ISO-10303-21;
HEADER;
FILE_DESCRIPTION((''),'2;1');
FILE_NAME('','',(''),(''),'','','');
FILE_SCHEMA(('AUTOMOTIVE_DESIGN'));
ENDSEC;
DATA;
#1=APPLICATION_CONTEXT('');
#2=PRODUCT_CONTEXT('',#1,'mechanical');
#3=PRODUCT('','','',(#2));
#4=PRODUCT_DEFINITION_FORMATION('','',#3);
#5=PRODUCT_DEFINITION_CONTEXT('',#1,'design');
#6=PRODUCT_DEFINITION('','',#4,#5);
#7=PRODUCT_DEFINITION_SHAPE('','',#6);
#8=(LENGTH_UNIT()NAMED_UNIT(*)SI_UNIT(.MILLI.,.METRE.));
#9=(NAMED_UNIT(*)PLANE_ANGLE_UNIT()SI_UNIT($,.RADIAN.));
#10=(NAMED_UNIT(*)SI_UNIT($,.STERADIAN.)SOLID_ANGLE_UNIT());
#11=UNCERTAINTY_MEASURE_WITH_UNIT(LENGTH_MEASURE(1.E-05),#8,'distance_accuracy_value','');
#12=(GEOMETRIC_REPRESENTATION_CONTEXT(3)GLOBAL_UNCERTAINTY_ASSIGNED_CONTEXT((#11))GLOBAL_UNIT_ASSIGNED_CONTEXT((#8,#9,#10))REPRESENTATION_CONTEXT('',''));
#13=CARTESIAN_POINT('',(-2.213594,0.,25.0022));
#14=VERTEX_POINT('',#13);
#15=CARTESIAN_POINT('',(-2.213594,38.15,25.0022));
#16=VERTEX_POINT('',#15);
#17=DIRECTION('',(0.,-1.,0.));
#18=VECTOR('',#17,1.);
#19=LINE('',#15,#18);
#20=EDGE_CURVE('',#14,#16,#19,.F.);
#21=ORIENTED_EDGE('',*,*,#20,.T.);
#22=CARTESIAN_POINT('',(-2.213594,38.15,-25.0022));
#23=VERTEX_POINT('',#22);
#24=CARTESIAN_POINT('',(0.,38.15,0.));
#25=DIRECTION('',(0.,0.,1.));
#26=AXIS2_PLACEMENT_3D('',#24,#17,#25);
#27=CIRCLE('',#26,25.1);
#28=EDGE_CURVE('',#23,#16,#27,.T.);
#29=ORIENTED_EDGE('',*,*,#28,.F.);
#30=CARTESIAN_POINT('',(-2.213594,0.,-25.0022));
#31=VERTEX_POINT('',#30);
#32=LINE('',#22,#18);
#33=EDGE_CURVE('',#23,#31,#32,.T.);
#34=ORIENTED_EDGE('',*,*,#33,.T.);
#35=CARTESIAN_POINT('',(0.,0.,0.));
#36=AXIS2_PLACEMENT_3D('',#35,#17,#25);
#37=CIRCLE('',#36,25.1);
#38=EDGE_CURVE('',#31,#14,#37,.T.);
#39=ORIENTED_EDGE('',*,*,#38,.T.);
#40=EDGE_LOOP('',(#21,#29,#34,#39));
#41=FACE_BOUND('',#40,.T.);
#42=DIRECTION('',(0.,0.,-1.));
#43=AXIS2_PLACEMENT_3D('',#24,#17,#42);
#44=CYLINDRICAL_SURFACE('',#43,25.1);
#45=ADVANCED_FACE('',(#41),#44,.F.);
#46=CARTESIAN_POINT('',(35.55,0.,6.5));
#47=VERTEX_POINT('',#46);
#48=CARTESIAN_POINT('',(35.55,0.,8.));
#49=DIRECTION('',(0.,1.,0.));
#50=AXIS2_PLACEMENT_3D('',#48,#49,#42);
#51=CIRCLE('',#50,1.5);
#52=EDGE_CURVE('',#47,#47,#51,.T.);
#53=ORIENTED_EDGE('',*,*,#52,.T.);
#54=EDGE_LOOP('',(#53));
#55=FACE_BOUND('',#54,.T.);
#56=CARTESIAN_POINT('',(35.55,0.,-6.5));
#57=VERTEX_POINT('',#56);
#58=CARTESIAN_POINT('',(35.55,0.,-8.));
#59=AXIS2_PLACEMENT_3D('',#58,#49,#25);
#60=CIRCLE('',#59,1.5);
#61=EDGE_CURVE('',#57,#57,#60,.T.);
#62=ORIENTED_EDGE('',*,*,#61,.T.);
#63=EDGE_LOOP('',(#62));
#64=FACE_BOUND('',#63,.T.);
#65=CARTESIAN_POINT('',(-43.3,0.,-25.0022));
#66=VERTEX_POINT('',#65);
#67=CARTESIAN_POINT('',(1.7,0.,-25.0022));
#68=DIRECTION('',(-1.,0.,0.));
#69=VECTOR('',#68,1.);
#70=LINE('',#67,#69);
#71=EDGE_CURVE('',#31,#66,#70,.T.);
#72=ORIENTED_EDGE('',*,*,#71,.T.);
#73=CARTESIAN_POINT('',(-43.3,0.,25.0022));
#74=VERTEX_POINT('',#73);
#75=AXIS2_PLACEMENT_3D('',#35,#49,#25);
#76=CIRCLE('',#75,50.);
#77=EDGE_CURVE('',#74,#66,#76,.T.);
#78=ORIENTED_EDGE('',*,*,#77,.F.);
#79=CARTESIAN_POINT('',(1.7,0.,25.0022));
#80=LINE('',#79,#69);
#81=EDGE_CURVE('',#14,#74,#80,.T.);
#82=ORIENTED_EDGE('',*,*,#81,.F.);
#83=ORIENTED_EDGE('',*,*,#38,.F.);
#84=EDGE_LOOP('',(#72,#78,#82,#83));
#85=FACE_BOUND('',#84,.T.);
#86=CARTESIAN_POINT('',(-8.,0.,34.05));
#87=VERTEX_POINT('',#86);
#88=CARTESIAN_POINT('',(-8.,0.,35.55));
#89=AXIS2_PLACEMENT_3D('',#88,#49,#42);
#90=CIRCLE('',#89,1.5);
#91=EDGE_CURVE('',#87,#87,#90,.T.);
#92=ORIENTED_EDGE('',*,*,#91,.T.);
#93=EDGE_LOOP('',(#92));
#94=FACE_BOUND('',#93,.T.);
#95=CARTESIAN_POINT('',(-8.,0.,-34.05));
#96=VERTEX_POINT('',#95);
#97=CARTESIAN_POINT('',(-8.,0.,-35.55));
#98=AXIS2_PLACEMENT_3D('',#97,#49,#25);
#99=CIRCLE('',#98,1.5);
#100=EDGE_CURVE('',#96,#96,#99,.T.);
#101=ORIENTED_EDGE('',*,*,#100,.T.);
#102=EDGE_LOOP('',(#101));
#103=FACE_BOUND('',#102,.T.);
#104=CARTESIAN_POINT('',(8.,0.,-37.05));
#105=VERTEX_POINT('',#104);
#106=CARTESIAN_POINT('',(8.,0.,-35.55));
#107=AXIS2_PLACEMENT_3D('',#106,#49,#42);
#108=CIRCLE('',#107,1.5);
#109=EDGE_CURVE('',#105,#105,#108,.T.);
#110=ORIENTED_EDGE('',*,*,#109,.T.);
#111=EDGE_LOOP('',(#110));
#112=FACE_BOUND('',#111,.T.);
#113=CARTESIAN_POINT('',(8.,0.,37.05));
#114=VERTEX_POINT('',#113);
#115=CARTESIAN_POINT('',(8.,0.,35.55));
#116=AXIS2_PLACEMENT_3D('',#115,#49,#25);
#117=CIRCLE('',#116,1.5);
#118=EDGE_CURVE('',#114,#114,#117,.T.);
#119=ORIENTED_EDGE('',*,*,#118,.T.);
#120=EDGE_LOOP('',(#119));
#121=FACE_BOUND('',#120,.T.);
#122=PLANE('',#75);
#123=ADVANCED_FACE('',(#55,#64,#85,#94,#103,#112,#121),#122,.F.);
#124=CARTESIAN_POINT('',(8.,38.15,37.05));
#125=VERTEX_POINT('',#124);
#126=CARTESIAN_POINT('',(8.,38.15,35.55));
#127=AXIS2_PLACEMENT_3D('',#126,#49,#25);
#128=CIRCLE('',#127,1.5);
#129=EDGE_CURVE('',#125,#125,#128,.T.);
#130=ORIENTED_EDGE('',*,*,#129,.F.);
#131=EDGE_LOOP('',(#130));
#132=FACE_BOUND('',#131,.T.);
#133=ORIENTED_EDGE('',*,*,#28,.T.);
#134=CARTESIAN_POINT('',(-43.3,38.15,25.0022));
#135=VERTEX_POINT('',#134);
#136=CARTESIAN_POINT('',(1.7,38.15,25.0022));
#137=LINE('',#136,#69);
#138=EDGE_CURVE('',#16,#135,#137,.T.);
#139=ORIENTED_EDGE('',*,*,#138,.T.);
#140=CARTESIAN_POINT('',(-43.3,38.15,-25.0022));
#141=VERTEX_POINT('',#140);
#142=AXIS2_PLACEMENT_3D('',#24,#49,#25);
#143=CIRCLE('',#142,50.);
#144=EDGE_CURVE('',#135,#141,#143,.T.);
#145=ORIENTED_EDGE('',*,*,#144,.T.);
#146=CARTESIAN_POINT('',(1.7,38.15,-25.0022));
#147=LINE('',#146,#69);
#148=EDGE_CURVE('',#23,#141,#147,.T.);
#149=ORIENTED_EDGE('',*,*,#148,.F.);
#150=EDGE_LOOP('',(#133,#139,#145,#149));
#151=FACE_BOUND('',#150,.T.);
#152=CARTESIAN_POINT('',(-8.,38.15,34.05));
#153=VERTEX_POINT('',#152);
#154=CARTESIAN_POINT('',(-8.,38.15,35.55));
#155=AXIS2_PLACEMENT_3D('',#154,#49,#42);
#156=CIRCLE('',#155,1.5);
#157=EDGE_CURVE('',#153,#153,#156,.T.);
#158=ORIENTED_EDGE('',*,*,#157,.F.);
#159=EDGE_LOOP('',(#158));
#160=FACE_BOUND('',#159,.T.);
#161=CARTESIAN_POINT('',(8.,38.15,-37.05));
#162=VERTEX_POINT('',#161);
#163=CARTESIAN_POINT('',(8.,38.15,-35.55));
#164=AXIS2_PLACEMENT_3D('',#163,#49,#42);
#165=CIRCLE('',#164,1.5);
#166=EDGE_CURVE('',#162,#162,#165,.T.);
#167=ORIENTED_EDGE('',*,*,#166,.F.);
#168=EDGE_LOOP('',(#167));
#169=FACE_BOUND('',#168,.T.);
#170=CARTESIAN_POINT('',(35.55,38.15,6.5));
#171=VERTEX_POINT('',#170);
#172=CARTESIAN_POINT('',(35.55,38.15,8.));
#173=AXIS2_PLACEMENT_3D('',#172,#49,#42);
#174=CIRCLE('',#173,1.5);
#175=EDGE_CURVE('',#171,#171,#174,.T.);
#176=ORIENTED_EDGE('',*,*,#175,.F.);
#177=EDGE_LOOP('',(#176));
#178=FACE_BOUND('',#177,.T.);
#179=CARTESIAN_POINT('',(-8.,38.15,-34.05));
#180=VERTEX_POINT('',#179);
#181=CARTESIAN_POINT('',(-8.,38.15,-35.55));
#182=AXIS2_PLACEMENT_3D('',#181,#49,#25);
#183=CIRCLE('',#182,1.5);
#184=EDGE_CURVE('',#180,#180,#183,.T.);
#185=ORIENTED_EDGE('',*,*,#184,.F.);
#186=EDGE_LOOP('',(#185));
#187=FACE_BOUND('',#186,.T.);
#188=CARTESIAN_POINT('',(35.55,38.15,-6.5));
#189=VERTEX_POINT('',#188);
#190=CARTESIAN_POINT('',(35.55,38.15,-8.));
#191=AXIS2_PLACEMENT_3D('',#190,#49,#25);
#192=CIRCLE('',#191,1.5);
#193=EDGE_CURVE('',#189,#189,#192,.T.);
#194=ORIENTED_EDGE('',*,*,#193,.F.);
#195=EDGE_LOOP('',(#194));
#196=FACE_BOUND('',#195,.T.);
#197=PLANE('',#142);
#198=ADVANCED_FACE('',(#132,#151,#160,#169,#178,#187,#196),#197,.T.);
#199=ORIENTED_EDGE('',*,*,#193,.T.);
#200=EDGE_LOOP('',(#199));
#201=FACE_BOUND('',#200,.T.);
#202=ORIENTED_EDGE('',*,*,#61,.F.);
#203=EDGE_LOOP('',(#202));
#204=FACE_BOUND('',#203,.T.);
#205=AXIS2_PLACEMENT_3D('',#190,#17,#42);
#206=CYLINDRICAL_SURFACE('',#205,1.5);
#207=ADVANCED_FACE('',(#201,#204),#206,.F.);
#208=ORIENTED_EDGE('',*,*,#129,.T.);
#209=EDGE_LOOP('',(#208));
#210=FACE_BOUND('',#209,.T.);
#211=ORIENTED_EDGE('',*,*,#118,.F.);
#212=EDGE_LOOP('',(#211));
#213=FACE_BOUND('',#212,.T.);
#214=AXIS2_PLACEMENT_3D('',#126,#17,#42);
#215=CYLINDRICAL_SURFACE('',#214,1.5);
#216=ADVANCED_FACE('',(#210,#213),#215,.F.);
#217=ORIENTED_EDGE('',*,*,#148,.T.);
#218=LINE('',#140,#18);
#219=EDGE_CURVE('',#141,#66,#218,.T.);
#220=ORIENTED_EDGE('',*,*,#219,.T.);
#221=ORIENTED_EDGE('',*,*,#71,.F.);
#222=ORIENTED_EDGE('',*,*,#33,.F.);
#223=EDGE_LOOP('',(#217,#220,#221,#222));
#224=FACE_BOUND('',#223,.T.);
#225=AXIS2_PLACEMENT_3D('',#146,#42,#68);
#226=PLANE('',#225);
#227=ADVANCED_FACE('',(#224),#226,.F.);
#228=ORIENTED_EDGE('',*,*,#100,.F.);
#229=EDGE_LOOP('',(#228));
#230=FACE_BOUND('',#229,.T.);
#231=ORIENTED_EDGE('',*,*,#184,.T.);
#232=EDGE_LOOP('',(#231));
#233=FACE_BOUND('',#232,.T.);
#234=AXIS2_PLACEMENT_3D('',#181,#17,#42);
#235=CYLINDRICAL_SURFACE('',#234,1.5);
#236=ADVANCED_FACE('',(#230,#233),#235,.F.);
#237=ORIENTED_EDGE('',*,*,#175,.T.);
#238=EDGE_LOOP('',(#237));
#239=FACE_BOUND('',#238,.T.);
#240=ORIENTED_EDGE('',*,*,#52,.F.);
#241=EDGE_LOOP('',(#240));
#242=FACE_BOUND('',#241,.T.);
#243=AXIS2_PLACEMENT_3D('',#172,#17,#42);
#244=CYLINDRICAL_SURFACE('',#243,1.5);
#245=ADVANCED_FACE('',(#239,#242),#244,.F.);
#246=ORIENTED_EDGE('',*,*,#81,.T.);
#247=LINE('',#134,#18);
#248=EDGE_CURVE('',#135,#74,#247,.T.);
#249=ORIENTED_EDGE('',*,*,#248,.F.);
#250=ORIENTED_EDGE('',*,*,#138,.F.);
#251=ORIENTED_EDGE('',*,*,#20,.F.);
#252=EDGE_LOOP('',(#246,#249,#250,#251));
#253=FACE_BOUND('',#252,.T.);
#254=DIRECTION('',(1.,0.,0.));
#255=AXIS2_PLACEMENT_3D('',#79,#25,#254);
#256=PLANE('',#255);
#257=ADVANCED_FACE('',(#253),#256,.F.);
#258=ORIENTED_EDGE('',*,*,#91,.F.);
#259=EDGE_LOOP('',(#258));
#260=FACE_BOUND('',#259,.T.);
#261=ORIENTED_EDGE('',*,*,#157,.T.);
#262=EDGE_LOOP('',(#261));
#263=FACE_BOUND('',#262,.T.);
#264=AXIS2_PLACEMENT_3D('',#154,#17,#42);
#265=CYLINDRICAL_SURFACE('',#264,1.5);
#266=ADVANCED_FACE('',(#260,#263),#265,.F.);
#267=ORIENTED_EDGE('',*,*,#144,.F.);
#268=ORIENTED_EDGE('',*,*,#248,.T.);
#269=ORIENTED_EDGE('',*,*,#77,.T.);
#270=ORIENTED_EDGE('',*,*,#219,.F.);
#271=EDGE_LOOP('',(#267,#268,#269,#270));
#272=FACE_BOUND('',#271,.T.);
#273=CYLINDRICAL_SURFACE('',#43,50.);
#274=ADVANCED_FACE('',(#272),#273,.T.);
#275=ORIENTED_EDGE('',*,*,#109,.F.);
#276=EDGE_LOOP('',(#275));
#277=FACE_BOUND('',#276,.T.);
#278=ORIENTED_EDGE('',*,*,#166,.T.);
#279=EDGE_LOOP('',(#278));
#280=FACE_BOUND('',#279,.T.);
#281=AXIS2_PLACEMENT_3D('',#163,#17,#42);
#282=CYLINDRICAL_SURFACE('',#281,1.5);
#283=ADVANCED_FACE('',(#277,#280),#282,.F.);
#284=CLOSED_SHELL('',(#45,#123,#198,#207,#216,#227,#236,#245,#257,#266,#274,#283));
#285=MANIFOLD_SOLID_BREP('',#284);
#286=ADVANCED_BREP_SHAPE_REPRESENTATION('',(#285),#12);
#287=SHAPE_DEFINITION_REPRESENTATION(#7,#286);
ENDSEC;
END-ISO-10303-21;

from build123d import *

# Parameters (mm, degrees)
SKETCH1_R           = 1.5
BOSS_EXTRUDE1_DEPTH = 38.15
SKETCH4_W           = 9.31
SKETCH4_H           = 38.15
CUT_EXTRUDE2_DEPTH  = 45


with BuildPart() as part:
    # Sketch1 → Boss-Extrude1 (new body)
    with BuildSketch(Plane(origin=(0, 0, 0), x_dir=(1, 0, 0), z_dir=(0, 1, 0))):
        with BuildLine():
            Line((-43.3, 25.002199903), (-19.589917361, 15.692199903))
            ThreePointArc((-19.589917361, 15.692199903), (25.1, 0), (-19.589917361, -15.692199903))
            Line((-19.589917361, -15.692199903), (-43.3, -25.002199903))
            ThreePointArc((-43.3, -25.002199903), (50, 0), (-43.3, 25.002199903))
        make_face()
        with Locations(Location((8, -35.55, 0), (0, 0, 270))):
            Circle(SKETCH1_R, mode=Mode.SUBTRACT)
        with Locations(Location((-8, -35.55, 0), (0, 0, 90))):
            Circle(SKETCH1_R, mode=Mode.SUBTRACT)
        with Locations(Location((8, 35.55, 0), (0, 0, 90))):
            Circle(SKETCH1_R, mode=Mode.SUBTRACT)
        with Locations(Location((-8, 35.55, 0), (0, 0, 270))):
            Circle(SKETCH1_R, mode=Mode.SUBTRACT)
        with Locations(Location((35.55, 8, 0), (0, 0, 270))):
            Circle(SKETCH1_R, mode=Mode.SUBTRACT)
        with Locations(Location((35.55, -8, 0), (0, 0, 90))):
            Circle(SKETCH1_R, mode=Mode.SUBTRACT)
    extrude(amount=BOSS_EXTRUDE1_DEPTH)

    # Sketch4 → Cut-Extrude2 (cut)
    with BuildSketch(Plane.ZY.offset(43.3)):
        with Locations((-20.347199903, 19.075)):
            Rectangle(SKETCH4_W, SKETCH4_H)
        with Locations((20.347199903, 19.075)):
            Rectangle(SKETCH4_W, SKETCH4_H)
    extrude(amount=-CUT_EXTRUDE2_DEPTH, mode=Mode.SUBTRACT)


solid = part.part
